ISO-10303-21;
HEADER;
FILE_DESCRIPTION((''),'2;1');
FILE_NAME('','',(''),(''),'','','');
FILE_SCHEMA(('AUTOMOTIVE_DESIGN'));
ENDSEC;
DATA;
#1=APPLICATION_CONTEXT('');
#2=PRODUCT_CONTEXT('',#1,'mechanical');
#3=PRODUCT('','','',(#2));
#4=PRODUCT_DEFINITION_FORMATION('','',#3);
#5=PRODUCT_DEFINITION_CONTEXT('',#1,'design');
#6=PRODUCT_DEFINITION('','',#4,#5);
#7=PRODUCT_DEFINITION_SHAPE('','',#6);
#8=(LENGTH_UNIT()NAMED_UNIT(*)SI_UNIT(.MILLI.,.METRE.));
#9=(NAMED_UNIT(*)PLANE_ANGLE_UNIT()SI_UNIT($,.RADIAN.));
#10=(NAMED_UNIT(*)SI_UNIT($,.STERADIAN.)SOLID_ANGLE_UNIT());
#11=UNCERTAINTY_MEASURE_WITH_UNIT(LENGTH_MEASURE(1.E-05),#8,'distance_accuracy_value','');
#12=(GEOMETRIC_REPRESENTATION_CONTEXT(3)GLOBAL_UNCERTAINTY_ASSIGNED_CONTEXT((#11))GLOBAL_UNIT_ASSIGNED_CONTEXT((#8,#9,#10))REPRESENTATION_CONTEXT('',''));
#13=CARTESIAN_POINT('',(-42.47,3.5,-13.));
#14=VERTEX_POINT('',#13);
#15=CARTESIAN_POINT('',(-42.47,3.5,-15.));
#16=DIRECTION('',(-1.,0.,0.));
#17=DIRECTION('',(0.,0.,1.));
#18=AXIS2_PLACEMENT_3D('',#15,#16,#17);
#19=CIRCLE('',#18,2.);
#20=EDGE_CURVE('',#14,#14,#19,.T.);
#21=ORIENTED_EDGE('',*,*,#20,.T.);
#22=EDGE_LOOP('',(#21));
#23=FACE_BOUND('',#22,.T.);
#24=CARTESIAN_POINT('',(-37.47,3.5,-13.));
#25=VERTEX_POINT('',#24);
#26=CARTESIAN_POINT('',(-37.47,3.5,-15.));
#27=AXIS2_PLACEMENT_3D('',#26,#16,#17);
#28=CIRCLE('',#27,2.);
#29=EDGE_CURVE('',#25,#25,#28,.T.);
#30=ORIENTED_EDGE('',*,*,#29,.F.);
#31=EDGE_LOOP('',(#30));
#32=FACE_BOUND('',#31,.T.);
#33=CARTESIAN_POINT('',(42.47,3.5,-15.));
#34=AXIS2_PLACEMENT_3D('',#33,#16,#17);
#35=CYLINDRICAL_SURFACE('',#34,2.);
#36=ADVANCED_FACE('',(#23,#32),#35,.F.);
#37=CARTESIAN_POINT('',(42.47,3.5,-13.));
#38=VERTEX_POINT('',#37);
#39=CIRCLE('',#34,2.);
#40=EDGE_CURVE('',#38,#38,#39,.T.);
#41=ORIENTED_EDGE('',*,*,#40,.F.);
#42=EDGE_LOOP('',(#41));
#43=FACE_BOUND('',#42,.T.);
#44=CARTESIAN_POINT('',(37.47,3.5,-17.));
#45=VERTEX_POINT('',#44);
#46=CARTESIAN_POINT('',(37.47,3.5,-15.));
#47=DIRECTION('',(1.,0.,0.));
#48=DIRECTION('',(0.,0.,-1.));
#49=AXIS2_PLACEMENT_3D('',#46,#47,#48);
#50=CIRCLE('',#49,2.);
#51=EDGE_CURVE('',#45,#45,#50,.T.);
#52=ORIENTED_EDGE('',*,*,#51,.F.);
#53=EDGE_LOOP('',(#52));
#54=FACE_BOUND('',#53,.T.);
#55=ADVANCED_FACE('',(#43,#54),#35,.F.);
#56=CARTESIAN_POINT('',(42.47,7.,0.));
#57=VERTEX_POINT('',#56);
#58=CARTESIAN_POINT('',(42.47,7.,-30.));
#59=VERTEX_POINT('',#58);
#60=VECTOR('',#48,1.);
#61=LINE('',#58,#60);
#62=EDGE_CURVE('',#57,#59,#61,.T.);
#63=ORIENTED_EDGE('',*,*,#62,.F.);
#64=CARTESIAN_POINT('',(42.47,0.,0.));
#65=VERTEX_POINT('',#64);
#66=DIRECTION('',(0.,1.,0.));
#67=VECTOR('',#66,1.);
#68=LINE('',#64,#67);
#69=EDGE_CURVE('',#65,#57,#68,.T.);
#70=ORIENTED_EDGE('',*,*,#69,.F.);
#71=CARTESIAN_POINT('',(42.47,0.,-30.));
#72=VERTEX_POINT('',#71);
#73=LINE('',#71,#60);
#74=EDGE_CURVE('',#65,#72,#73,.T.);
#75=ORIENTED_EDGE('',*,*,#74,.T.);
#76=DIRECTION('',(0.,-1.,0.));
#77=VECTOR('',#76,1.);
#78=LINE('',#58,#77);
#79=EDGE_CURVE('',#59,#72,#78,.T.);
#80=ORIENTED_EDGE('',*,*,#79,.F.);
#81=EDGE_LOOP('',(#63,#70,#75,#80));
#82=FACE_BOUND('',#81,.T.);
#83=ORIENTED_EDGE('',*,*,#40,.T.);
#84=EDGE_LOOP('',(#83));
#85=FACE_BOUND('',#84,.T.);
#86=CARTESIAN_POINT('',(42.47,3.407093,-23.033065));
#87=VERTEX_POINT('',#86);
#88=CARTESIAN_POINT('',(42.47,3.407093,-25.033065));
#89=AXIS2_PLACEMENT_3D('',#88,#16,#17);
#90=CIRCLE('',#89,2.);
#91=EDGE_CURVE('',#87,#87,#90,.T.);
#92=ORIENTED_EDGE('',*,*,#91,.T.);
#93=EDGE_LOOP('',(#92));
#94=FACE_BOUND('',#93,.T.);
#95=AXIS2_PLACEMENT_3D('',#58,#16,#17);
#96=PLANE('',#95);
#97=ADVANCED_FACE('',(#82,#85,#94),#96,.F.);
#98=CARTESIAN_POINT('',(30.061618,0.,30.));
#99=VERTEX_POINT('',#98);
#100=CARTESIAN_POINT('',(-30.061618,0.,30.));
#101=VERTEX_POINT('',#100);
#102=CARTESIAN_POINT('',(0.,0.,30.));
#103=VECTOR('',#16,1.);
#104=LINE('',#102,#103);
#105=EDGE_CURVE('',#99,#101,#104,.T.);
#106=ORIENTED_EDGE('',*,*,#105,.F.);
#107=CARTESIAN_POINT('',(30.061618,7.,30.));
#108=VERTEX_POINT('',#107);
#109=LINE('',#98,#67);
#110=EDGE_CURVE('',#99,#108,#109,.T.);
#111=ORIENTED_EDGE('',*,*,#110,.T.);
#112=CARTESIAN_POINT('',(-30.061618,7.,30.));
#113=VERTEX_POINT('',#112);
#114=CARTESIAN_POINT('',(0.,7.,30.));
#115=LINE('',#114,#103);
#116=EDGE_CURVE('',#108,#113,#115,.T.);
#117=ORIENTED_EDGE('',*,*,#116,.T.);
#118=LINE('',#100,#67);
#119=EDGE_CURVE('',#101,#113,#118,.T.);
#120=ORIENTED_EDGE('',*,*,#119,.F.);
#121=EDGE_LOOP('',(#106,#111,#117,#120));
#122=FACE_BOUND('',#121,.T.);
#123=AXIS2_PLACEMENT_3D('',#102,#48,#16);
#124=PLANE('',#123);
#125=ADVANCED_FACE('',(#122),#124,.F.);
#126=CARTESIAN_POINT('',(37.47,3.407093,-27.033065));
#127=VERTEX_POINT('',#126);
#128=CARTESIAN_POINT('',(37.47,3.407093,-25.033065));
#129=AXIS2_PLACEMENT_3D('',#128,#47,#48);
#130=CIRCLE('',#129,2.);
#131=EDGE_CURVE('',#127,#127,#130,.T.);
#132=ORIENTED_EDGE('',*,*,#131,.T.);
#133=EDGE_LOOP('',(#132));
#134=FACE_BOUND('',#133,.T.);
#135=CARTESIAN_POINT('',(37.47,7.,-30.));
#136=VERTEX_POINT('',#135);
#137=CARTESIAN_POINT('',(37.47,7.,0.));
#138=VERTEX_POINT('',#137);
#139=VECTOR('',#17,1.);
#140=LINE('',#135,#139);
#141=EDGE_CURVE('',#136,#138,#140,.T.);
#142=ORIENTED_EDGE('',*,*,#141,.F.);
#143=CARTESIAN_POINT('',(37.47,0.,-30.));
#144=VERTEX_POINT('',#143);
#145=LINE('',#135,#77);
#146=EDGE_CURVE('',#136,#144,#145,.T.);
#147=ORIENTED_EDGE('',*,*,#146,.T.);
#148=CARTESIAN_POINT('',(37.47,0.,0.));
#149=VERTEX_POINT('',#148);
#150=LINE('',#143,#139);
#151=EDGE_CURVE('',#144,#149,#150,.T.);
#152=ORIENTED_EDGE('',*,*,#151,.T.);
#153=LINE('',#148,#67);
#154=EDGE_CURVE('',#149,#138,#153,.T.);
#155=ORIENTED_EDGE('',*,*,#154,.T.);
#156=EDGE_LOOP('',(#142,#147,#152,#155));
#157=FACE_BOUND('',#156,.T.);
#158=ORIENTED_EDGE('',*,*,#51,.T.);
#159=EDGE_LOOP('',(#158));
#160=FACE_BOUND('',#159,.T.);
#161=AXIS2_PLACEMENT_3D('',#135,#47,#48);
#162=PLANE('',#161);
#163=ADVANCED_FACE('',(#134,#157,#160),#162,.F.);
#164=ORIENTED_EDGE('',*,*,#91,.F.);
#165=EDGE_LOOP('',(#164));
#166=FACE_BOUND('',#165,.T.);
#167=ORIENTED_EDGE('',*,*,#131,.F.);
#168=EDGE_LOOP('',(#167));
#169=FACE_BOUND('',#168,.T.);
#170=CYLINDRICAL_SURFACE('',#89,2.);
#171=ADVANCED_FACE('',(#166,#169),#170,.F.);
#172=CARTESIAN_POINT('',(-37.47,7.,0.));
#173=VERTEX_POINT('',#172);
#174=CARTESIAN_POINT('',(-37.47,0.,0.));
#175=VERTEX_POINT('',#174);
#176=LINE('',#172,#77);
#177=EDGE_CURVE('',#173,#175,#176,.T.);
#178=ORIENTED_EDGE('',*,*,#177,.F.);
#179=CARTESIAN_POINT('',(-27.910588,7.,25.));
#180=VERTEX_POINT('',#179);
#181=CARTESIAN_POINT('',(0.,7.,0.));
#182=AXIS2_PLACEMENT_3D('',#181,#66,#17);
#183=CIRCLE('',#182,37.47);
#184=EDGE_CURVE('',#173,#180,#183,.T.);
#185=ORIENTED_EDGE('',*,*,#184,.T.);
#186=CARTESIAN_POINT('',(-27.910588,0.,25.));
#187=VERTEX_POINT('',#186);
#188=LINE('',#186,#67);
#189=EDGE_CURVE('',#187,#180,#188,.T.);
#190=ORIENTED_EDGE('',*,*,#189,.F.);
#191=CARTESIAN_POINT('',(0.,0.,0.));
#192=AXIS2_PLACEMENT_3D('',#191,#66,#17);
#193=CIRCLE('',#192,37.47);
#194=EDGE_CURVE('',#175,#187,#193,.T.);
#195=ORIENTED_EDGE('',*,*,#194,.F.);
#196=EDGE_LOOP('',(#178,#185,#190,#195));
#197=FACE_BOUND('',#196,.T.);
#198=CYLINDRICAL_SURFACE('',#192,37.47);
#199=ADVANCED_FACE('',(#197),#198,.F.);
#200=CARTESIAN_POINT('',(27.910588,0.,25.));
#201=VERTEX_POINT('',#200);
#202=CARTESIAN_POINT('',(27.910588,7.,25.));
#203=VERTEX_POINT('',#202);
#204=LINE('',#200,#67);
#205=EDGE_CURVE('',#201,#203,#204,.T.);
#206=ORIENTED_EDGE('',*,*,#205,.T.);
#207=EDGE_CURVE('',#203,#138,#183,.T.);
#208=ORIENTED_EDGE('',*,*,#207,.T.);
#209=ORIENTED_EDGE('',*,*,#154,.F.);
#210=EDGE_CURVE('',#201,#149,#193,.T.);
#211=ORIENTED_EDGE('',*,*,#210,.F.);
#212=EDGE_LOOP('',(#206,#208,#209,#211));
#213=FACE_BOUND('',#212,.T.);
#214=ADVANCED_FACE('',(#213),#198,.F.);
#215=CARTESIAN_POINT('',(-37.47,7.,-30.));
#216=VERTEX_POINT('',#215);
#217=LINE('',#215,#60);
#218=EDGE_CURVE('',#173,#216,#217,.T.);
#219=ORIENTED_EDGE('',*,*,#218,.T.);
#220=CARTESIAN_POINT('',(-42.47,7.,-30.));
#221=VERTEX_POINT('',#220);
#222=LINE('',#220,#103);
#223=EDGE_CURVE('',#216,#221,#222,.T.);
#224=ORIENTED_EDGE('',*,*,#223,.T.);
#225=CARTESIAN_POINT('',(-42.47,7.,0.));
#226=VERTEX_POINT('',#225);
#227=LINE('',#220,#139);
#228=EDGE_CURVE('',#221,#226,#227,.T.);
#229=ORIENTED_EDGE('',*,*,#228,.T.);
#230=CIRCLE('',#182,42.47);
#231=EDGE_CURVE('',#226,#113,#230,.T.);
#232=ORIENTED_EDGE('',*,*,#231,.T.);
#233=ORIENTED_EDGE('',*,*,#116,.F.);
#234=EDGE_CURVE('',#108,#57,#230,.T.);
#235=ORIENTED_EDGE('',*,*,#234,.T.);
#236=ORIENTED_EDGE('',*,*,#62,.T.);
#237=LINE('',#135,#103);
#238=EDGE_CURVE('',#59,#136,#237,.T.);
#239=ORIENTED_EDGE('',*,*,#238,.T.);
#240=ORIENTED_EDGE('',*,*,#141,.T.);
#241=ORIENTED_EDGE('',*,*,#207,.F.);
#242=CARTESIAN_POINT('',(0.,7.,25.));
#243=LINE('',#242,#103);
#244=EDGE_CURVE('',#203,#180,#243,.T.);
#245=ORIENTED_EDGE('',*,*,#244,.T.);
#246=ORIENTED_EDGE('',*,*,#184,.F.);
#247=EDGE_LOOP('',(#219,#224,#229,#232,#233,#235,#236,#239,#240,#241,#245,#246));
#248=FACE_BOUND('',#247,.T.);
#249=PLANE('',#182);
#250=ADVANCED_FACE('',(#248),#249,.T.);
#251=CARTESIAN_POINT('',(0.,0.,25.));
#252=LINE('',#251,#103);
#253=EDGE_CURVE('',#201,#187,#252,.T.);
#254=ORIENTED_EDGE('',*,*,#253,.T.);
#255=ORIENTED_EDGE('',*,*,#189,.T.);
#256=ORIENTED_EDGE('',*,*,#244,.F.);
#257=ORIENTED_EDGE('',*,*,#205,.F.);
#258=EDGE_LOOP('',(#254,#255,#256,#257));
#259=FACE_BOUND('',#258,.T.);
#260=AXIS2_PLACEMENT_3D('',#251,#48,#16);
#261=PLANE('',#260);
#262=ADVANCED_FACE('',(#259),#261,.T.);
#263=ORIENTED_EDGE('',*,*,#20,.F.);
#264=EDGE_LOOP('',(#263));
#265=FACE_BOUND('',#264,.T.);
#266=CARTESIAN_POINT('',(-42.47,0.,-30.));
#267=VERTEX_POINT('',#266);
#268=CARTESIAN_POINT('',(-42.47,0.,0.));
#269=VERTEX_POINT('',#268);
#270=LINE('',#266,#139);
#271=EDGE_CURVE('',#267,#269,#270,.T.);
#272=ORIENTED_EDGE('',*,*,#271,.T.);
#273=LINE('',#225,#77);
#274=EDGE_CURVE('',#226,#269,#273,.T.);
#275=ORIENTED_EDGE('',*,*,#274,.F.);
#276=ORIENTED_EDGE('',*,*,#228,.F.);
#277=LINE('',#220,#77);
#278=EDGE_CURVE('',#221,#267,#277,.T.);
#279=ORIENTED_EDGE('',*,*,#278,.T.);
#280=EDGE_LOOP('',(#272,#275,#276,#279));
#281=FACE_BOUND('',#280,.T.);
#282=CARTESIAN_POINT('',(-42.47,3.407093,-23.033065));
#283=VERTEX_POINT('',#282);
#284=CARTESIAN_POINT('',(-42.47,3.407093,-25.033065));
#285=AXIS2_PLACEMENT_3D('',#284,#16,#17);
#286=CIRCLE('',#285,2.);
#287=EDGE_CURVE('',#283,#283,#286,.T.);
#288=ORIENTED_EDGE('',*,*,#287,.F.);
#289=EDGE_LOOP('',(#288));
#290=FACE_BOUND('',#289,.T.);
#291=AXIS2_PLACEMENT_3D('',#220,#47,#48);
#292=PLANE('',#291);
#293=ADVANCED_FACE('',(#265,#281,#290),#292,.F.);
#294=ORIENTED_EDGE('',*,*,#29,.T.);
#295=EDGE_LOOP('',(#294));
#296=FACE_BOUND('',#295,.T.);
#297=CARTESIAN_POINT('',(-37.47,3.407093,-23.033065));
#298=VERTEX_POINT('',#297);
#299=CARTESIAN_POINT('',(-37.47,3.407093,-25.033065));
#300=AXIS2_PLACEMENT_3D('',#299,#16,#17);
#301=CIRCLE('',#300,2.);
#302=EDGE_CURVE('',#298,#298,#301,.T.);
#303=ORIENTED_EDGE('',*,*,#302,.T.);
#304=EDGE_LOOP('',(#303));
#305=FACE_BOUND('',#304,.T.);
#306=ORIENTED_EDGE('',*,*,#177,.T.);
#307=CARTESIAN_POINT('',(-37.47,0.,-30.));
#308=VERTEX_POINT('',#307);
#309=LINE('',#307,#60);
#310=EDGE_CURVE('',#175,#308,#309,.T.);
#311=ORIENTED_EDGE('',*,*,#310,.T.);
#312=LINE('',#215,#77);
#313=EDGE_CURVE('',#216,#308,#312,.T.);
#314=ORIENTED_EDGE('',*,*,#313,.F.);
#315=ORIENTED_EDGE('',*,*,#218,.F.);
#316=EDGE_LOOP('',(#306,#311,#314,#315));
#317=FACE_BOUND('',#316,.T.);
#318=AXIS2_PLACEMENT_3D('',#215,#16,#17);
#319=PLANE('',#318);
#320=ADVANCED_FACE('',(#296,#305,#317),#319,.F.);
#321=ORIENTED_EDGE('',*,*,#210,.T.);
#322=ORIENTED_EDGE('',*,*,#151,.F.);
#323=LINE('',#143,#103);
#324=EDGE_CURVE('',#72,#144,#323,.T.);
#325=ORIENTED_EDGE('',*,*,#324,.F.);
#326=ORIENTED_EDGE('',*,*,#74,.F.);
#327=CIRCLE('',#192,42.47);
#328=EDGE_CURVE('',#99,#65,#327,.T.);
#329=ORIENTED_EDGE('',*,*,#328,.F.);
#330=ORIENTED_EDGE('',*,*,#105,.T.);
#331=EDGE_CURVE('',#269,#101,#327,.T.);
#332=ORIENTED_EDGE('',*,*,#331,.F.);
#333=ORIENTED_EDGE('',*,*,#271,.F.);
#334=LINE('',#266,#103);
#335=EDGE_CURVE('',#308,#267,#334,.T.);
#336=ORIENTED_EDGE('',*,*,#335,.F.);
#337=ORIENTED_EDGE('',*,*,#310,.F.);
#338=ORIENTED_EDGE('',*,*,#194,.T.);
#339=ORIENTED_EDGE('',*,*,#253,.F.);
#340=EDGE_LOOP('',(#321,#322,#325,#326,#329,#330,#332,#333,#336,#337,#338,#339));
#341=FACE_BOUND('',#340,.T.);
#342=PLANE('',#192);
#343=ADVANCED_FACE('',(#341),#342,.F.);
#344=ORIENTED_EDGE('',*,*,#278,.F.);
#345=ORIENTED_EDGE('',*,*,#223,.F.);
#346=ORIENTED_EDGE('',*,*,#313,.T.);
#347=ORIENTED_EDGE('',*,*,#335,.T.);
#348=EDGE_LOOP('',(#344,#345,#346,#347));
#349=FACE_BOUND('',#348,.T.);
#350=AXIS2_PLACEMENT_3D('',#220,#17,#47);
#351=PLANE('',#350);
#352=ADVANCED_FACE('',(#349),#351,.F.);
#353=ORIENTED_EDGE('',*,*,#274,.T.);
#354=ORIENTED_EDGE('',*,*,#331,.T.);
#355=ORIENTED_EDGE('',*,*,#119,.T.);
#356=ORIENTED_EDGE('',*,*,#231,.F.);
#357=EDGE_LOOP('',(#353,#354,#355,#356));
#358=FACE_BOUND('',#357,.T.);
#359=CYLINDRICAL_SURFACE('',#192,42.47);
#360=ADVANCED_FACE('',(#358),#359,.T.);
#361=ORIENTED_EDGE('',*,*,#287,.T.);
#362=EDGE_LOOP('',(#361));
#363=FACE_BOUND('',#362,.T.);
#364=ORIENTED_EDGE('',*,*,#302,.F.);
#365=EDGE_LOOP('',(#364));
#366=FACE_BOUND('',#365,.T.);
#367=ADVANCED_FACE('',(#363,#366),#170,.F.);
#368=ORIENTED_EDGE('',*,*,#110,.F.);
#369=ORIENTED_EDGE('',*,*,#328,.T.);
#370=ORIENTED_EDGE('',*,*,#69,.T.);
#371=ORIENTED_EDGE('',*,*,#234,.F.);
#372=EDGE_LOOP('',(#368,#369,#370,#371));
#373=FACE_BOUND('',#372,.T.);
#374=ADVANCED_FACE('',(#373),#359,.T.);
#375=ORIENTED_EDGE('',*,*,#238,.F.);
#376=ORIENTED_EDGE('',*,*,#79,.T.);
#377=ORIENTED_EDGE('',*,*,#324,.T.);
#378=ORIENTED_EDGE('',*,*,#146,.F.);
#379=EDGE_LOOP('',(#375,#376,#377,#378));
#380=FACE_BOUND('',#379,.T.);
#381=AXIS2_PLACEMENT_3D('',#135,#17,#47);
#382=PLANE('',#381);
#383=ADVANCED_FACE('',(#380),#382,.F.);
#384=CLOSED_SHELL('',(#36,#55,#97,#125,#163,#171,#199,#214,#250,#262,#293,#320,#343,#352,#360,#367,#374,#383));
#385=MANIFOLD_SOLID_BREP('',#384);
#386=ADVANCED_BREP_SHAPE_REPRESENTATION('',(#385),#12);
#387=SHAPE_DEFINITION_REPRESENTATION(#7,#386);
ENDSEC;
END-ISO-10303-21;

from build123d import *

# Parameters (mm, degrees)
SKETCH_1_W          = 5
SKETCH_1_H          = 30
EXTRUDE_1_DEPTH     = 7
EXTRUDE_1_2_DEPTH   = 7
SKETCH_2_R          = 2
CUT_EXTRUDE_1_DEPTH = 91.353769152
EXTRUDE_2_DEPTH     = 7


with BuildPart() as part:
    # Эскиз1 → Бобышка-Вытянуть1 (new body)
    with BuildSketch(Plane(origin=(0, 0, 0), x_dir=(1, 0, 0), z_dir=(0, 1, 0))):
        with Locations((-39.97, 15)):
            Rectangle(SKETCH_1_W, SKETCH_1_H)
    extrude(amount=EXTRUDE_1_DEPTH)


with BuildPart() as body_2:
    # Эскиз1 → Extrude 1 2 (new body)
    with BuildSketch(Plane(origin=(0, 0, 0), x_dir=(1, 0, 0), z_dir=(0, 1, 0))):
        with Locations((39.97, 15)):
            Rectangle(SKETCH_1_W, SKETCH_1_H)
    extrude(amount=EXTRUDE_1_2_DEPTH)


with BuildPart() as cut_extrude_1_tool:
    # Эскиз2 → Вырез-Вытянуть1 (new, through all)
    with BuildSketch(Plane.ZY.offset(42.47)):
        with Locations((-15, 3.5)):
            Circle(SKETCH_2_R)
        with Locations((-25.033065305, 3.407092775)):
            Circle(SKETCH_2_R)
    extrude(amount=-CUT_EXTRUDE_1_DEPTH)


with BuildPart() as part_1:
    add(part.part)

    # Вырез-Вытянуть1: cut by cut_extrude_1_tool
    add(cut_extrude_1_tool.part, mode=Mode.SUBTRACT)



with BuildPart() as body_2_1:
    add(body_2.part)

    # Вырез-Вытянуть1: cut by cut_extrude_1_tool
    add(cut_extrude_1_tool.part, mode=Mode.SUBTRACT)


with BuildPart() as part_2:
    add(part_1.part)

    add(body_2_1.part)  # Бобышка-Вытянуть2 merges body 2
    # Эскиз3 → Бобышка-Вытянуть2 (add)
    with BuildSketch(Plane(origin=(0, 7, 0), x_dir=(1, 0, 0), z_dir=(0, 1, 0))):
        with BuildLine():
            ThreePointArc((22.449964365, -30), (25.304076717, -27.635205835), (27.910587597, -25))
            Line((27.910587597, -25), (-27.910587597, -25))
            ThreePointArc((-27.910587597, -25), (-25.304076717, -27.635205835), (-22.449964365, -30))
            Line((-22.449964365, -30), (22.449964365, -30))
        make_face()
        with BuildLine():
            ThreePointArc((-22.449964365, -30), (-25.304076717, -27.635205835), (-27.910587597, -25))
            ThreePointArc((-27.910587597, -25), (-34.99864724, -13.382660101), (-37.47, 0))
            Line((-37.47, 0), (-42.47, 0))
            ThreePointArc((-42.47, 0), (-39.245495492, -16.232436156), (-30.061618386, -30))
            Line((-30.061618386, -30), (-22.449964365, -30))
        make_face()
        with BuildLine():
            ThreePointArc((37.47, 0), (34.99864724, -13.382660101), (27.910587597, -25))
            ThreePointArc((27.910587597, -25), (25.304076717, -27.635205835), (22.449964365, -30))
            Line((22.449964365, -30), (30.061618386, -30))
            ThreePointArc((30.061618386, -30), (39.245495492, -16.232436156), (42.47, 0))
            Line((42.47, 0), (37.47, 0))
        make_face()
    extrude(amount=-EXTRUDE_2_DEPTH)


solid = part_2.part
